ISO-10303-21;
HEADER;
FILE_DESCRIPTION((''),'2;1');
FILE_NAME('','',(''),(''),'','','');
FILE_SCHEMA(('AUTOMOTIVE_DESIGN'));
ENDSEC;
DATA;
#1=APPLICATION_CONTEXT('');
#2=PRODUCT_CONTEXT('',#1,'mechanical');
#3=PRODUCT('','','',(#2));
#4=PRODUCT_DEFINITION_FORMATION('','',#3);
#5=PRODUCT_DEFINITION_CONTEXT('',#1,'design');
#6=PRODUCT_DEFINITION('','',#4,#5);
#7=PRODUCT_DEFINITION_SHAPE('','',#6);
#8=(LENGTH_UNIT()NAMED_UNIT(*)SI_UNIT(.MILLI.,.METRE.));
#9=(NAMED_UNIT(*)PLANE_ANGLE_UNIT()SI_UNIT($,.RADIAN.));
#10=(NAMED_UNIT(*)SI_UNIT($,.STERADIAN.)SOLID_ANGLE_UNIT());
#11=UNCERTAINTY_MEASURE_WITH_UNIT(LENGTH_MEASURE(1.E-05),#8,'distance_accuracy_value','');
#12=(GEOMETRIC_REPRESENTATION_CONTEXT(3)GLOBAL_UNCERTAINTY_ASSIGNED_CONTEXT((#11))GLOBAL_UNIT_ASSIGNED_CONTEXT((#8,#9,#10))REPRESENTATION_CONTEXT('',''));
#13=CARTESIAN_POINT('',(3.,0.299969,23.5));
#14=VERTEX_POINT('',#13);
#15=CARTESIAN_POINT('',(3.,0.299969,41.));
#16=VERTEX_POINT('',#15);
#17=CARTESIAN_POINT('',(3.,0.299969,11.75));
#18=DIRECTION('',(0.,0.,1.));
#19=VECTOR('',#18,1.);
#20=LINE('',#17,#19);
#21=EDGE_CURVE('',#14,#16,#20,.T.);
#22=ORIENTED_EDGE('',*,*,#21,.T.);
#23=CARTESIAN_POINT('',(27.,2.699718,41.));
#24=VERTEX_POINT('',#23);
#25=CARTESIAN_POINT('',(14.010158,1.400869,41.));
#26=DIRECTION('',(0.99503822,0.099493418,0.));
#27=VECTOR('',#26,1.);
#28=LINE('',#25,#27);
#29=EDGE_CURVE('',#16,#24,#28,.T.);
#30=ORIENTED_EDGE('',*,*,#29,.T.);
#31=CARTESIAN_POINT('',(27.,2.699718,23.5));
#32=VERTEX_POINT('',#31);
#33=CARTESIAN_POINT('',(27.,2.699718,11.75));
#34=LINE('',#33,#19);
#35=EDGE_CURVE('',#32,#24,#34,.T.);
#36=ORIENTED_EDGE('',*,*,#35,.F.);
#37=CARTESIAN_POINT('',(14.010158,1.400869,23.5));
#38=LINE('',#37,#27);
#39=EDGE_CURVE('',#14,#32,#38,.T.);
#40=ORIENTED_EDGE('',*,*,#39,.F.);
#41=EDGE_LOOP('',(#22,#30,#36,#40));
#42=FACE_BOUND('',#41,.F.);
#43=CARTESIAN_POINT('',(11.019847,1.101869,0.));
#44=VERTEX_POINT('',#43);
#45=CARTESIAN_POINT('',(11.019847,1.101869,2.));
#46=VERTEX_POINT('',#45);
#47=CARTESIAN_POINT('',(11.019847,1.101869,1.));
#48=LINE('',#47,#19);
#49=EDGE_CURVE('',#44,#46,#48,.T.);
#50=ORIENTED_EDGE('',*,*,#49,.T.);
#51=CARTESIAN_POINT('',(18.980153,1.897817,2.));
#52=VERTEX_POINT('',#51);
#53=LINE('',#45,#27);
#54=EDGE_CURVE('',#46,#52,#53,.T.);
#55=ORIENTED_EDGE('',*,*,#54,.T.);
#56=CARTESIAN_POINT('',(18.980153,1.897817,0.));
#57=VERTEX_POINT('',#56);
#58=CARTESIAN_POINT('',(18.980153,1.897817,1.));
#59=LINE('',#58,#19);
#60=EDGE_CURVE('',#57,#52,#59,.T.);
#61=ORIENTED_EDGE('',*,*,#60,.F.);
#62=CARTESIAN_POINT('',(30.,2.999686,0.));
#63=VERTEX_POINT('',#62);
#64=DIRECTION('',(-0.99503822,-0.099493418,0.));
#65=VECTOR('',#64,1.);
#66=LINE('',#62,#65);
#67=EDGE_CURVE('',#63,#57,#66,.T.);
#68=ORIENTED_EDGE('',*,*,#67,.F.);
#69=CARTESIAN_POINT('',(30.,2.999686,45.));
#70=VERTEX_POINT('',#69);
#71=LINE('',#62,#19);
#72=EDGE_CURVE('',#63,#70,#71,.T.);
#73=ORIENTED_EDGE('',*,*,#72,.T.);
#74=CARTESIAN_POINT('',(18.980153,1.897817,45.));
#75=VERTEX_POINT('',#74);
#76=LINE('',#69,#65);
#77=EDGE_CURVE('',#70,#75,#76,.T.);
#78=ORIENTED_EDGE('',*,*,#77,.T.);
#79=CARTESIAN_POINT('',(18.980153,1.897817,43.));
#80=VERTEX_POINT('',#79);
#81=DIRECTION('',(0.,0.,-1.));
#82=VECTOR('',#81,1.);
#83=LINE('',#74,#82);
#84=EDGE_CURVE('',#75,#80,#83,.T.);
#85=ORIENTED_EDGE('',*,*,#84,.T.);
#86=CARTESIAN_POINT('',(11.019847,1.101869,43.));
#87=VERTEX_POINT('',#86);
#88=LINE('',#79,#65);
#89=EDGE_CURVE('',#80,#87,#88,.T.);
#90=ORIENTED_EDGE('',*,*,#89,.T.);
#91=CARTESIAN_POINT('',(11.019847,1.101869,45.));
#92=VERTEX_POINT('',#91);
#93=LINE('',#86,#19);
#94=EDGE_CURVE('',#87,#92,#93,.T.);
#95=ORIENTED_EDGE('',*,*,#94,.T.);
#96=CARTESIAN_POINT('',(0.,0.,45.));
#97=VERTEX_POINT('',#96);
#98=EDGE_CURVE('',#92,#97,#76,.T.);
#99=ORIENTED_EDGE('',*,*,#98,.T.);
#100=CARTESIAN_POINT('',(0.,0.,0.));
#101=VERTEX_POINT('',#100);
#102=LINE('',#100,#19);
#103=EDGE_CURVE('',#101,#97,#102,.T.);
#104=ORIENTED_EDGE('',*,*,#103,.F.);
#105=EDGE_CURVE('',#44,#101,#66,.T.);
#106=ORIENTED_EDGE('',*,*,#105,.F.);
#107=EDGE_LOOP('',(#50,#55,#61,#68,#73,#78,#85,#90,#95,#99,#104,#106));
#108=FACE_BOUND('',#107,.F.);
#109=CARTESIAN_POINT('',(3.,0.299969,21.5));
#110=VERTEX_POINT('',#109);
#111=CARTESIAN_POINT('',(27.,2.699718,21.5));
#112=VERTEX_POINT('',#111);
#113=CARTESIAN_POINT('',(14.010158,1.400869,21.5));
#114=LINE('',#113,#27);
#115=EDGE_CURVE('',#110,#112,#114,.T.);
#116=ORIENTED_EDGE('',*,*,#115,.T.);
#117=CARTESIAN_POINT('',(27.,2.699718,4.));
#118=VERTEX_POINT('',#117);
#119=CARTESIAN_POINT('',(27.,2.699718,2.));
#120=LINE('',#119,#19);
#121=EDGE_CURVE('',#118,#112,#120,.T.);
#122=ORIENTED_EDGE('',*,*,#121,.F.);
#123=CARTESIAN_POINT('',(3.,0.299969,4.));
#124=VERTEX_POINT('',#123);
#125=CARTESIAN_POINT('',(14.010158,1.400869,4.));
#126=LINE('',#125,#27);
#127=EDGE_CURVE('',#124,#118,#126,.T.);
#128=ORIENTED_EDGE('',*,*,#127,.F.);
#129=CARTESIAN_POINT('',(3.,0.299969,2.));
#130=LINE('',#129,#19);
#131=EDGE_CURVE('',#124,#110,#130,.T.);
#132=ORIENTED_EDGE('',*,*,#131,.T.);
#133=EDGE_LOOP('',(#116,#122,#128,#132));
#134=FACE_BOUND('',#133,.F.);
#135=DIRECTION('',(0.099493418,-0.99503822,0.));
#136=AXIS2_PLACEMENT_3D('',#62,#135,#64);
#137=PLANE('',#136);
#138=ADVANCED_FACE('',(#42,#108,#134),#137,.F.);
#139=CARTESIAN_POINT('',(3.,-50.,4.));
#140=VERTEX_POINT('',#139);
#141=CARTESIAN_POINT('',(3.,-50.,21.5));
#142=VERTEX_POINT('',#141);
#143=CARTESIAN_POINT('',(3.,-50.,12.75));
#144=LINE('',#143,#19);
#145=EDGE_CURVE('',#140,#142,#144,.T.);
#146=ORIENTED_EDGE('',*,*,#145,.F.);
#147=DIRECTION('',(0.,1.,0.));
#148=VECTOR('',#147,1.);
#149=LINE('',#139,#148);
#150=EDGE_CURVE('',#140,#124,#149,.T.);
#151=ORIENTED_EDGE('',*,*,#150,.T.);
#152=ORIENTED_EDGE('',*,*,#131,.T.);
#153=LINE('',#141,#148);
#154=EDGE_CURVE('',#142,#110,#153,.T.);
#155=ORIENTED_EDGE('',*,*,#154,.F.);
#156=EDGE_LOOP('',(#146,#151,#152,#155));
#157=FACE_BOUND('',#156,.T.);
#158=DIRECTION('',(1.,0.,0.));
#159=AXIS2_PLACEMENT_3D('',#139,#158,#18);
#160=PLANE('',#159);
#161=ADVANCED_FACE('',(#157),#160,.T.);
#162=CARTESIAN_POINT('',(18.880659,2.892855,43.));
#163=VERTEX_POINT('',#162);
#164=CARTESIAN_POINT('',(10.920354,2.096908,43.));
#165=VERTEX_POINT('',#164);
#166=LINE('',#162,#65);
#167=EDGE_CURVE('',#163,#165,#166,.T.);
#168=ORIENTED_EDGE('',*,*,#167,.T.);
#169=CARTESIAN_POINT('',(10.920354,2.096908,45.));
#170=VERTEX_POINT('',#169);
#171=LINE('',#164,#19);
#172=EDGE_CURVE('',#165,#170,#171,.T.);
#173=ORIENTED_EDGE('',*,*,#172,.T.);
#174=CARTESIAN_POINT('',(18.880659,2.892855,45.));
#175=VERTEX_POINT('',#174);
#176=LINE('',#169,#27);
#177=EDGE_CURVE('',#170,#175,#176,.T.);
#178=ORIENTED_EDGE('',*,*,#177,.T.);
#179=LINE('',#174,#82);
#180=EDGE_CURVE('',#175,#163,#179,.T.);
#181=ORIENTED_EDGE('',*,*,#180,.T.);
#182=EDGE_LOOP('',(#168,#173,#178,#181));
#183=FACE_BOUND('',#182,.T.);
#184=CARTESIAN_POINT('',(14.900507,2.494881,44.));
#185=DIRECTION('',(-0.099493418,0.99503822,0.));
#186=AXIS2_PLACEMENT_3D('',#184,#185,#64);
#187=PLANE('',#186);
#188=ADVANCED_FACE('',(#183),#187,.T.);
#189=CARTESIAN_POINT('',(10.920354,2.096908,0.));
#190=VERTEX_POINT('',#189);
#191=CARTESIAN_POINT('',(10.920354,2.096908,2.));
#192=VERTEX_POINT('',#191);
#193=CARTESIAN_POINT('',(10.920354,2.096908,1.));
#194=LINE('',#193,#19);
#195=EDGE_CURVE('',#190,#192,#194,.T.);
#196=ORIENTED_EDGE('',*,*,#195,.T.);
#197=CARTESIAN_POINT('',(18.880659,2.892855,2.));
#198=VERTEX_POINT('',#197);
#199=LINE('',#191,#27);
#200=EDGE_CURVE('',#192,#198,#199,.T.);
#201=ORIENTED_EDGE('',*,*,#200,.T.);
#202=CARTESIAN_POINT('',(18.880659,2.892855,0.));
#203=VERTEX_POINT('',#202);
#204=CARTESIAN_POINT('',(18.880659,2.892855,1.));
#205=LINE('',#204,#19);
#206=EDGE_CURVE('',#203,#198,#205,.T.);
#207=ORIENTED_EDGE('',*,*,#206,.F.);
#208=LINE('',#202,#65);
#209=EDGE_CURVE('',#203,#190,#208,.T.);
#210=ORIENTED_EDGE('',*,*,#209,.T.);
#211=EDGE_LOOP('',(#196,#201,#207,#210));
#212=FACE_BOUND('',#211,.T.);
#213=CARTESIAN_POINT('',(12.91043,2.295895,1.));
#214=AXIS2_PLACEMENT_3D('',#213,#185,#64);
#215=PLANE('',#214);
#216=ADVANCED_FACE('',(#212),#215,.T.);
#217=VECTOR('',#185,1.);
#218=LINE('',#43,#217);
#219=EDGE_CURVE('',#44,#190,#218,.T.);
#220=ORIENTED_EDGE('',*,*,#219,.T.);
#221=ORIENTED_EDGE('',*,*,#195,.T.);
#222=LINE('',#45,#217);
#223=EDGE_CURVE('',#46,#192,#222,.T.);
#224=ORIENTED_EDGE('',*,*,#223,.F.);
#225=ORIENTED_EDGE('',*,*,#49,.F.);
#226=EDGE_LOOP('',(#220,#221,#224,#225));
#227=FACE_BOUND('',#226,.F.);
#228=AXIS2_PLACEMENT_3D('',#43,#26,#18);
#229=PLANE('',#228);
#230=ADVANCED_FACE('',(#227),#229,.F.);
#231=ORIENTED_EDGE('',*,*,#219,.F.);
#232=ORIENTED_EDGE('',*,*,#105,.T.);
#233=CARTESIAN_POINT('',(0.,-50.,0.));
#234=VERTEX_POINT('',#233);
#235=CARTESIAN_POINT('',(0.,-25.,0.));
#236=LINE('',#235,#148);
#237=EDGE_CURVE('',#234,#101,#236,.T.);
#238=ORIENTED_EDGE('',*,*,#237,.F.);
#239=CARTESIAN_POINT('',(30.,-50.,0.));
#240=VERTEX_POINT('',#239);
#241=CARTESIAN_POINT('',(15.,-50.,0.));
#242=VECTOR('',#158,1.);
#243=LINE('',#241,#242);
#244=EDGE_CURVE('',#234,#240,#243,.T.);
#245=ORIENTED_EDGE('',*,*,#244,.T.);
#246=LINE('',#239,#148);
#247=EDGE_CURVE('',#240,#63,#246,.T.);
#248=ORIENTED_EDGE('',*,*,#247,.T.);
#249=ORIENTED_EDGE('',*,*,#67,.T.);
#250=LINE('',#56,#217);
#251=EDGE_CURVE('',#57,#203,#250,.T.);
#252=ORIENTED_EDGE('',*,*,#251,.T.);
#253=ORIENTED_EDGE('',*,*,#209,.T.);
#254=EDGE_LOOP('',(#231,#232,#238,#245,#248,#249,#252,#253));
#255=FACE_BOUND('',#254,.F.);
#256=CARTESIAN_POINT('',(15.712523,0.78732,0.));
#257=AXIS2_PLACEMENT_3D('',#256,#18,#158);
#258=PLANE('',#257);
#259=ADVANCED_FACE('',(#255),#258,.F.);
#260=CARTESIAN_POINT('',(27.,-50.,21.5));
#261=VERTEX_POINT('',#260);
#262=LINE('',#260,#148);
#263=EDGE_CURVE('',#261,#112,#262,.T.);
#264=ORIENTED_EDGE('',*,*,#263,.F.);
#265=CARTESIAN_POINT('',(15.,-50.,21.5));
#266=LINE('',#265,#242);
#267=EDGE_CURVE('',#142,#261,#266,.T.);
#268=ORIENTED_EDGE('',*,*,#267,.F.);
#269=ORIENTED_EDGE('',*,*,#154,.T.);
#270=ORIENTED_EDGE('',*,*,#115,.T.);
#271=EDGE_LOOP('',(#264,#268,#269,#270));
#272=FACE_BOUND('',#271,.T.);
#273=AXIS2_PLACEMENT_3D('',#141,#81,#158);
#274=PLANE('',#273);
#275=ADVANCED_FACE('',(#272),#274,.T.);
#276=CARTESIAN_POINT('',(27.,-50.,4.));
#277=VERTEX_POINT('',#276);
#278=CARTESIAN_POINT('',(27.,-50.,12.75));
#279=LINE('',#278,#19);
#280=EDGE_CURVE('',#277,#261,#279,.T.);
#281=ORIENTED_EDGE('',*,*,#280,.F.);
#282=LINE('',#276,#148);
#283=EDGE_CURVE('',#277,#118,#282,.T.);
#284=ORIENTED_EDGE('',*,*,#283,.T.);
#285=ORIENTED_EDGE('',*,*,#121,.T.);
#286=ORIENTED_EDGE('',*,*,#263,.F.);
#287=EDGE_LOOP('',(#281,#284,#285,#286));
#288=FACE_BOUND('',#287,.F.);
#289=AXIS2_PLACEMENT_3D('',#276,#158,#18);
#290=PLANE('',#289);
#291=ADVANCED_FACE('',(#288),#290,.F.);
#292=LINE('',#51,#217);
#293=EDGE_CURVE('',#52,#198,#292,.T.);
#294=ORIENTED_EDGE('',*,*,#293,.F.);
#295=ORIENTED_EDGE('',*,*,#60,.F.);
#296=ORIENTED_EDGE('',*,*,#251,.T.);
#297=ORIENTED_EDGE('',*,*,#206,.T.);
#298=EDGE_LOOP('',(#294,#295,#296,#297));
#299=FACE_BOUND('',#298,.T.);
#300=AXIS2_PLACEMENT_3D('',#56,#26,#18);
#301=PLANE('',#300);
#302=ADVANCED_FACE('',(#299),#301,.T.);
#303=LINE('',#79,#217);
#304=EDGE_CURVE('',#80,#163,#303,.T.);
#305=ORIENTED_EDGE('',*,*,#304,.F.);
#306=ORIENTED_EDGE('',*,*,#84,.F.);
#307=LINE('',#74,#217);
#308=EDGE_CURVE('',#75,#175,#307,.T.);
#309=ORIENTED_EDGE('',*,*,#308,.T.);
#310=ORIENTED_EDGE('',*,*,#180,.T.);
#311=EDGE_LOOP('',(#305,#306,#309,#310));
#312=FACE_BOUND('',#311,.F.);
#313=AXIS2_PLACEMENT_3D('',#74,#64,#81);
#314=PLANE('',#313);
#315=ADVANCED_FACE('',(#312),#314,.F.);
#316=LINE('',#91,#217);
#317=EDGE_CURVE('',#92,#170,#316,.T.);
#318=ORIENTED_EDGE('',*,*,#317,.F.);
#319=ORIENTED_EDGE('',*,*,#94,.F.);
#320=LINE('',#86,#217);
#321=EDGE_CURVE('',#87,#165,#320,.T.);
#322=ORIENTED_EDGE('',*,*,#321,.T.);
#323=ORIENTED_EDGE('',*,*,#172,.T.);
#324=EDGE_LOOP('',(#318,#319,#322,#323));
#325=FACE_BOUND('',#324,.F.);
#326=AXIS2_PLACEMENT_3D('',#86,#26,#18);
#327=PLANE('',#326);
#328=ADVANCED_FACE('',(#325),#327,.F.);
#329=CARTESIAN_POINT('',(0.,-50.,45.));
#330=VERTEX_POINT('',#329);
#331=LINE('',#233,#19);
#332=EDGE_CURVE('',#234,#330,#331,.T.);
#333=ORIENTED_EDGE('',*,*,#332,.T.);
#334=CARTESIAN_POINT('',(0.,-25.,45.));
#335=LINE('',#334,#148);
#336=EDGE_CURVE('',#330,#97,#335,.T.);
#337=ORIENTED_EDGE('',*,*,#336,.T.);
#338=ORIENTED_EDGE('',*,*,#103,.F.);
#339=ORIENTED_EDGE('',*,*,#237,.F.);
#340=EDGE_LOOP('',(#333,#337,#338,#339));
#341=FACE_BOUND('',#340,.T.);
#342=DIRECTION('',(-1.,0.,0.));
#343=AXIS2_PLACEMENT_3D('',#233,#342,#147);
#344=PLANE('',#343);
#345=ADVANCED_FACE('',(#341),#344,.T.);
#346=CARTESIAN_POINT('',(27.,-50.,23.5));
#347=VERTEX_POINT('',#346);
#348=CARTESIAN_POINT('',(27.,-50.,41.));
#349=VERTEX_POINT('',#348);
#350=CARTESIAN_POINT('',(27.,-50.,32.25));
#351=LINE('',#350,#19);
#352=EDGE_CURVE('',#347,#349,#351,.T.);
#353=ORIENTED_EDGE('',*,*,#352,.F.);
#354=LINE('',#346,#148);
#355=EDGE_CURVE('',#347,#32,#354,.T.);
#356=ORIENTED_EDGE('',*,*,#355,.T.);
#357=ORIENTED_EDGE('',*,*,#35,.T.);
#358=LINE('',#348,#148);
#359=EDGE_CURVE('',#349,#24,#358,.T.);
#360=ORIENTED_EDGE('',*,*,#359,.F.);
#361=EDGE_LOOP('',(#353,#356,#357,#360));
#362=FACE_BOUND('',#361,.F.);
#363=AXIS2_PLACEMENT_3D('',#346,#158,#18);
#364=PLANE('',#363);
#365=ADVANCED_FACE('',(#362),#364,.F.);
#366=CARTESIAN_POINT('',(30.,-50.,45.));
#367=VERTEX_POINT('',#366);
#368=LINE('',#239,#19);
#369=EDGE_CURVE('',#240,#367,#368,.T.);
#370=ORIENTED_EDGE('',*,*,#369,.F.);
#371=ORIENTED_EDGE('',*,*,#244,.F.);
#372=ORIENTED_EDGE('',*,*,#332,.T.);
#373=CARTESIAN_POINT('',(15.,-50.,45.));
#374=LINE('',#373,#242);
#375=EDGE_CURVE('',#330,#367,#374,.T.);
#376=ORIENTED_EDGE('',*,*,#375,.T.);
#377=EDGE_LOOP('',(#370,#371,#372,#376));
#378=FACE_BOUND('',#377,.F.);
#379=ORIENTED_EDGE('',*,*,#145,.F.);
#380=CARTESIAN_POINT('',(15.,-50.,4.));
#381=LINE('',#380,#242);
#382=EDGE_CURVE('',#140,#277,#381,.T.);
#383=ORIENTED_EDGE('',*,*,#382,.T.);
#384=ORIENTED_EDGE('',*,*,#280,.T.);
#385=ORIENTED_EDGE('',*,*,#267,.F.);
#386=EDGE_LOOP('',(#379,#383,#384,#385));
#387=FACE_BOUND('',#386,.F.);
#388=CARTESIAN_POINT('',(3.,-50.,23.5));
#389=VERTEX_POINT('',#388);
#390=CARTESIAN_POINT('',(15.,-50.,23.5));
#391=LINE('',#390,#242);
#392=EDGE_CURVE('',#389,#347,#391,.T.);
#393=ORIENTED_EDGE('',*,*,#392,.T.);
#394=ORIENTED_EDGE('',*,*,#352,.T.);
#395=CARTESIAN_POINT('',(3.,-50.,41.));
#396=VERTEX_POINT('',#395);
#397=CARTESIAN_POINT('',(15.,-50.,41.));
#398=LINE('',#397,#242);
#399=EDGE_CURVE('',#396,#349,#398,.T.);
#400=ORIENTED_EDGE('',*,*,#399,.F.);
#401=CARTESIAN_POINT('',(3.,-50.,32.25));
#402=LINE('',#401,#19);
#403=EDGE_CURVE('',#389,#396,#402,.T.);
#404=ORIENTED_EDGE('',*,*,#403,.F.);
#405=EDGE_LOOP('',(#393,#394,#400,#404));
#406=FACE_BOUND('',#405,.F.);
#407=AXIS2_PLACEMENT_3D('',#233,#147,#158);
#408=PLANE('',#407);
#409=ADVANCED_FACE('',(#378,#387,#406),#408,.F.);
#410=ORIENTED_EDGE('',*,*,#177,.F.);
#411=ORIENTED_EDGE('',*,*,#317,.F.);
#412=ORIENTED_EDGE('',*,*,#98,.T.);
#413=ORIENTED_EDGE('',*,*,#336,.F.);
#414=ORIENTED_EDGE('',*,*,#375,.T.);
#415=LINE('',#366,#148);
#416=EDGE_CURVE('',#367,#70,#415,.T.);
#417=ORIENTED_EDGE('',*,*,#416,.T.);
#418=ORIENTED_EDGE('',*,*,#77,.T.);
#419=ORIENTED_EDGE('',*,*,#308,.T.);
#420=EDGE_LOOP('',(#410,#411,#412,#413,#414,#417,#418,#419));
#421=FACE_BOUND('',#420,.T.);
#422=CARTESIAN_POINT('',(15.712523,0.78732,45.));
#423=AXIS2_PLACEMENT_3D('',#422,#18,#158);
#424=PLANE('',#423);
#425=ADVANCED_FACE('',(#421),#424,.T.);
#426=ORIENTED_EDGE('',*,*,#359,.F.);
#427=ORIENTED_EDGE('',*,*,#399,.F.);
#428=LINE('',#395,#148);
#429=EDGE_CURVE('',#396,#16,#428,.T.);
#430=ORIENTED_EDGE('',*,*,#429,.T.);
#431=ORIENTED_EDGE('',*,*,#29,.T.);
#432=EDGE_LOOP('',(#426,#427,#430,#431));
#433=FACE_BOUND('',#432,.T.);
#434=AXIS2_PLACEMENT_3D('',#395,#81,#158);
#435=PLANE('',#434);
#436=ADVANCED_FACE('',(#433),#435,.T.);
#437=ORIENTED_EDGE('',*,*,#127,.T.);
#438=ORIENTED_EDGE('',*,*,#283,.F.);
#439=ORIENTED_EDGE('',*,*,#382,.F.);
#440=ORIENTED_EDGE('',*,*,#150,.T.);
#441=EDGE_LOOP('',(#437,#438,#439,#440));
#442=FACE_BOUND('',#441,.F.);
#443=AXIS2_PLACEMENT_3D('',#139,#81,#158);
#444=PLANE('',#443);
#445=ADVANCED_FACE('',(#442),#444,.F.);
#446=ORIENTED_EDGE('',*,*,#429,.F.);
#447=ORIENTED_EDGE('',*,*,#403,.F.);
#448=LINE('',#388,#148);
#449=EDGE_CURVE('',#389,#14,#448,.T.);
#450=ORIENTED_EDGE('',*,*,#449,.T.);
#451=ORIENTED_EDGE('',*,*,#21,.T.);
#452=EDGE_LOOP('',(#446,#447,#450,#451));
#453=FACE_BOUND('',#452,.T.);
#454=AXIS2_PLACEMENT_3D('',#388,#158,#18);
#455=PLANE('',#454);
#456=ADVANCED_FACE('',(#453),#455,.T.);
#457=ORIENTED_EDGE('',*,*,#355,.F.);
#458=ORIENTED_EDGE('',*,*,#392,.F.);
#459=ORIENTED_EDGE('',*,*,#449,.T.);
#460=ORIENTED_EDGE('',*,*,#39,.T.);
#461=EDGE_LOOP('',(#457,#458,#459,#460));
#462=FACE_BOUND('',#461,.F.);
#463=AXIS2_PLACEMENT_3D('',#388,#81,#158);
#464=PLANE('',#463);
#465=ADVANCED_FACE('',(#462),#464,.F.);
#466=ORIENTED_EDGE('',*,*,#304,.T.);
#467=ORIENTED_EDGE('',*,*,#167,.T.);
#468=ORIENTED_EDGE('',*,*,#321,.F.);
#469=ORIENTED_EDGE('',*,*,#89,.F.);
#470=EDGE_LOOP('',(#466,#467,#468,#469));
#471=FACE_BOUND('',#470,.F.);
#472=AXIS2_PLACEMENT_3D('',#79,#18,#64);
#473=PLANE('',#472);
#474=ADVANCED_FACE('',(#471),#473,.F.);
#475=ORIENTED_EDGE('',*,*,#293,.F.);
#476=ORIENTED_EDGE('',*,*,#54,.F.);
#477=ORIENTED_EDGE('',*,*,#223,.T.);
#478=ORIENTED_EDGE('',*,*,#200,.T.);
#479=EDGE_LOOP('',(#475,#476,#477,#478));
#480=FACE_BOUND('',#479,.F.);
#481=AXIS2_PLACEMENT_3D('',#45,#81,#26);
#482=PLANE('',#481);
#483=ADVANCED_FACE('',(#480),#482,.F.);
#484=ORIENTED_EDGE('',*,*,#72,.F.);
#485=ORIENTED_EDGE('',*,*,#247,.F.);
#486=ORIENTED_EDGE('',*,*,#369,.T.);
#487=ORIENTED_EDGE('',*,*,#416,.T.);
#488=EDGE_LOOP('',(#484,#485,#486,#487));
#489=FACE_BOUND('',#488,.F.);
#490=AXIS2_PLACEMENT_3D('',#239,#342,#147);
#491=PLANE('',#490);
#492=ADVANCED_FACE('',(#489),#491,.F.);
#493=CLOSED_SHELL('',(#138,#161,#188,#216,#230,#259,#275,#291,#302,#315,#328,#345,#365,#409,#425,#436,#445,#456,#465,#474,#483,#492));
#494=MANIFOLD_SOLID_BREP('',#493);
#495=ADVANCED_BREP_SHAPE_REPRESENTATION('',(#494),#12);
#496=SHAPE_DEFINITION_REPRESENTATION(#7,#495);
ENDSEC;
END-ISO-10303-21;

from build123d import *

# Parameters (mm, degrees)
F1_W     = 30
F1_H     = 50
F2_DEPTH = 45
F3_W     = 4
F3_H     = 2
F4_DEPTH = 1
F5_W     = 24
F5_H     = 17.5
F6_DEPTH = 53.0006863286


with BuildPart() as f2:
    # F1 (on Top) → F2 (new body)
    with BuildSketch(Plane.XY):
        Polygon((30, 2.9996863286), (0, 0), (30, 0), align=None)
        with Locations((15, -25)):
            Rectangle(F1_W, F1_H)
    extrude(amount=F2_DEPTH)

    # F3 (on face) → F4 (join)
    with BuildSketch(Plane(origin=(0, 0, 0), x_dir=(-0.9950382202, -0.0994934182, 0), z_dir=(-0.0994934182, 0.9950382202, 0))):
        with Locations((-13.0747978268, 1)):
            Rectangle(F3_W, F3_H)
        with Locations((-17.0747978268, 1)):
            Rectangle(F3_W, F3_H)
        Polygon((-11.0747978268, 45), (-15.0747978268, 45), (-19.0747978268, 45), (-19.0747978268, 43), (-15.0747978268, 43), (-11.0747978268, 43), align=None)
    extrude(amount=F4_DEPTH)

    # F5 (on face) → F6 (cut, through all)
    with BuildSketch(Plane.XZ.offset(50)):
        with Locations((15, 12.75)):
            Rectangle(F5_W, F5_H)
        with Locations((15, 32.25)):
            Rectangle(F5_W, F5_H)
    extrude(amount=-F6_DEPTH, mode=Mode.SUBTRACT)


solid = f2.part
